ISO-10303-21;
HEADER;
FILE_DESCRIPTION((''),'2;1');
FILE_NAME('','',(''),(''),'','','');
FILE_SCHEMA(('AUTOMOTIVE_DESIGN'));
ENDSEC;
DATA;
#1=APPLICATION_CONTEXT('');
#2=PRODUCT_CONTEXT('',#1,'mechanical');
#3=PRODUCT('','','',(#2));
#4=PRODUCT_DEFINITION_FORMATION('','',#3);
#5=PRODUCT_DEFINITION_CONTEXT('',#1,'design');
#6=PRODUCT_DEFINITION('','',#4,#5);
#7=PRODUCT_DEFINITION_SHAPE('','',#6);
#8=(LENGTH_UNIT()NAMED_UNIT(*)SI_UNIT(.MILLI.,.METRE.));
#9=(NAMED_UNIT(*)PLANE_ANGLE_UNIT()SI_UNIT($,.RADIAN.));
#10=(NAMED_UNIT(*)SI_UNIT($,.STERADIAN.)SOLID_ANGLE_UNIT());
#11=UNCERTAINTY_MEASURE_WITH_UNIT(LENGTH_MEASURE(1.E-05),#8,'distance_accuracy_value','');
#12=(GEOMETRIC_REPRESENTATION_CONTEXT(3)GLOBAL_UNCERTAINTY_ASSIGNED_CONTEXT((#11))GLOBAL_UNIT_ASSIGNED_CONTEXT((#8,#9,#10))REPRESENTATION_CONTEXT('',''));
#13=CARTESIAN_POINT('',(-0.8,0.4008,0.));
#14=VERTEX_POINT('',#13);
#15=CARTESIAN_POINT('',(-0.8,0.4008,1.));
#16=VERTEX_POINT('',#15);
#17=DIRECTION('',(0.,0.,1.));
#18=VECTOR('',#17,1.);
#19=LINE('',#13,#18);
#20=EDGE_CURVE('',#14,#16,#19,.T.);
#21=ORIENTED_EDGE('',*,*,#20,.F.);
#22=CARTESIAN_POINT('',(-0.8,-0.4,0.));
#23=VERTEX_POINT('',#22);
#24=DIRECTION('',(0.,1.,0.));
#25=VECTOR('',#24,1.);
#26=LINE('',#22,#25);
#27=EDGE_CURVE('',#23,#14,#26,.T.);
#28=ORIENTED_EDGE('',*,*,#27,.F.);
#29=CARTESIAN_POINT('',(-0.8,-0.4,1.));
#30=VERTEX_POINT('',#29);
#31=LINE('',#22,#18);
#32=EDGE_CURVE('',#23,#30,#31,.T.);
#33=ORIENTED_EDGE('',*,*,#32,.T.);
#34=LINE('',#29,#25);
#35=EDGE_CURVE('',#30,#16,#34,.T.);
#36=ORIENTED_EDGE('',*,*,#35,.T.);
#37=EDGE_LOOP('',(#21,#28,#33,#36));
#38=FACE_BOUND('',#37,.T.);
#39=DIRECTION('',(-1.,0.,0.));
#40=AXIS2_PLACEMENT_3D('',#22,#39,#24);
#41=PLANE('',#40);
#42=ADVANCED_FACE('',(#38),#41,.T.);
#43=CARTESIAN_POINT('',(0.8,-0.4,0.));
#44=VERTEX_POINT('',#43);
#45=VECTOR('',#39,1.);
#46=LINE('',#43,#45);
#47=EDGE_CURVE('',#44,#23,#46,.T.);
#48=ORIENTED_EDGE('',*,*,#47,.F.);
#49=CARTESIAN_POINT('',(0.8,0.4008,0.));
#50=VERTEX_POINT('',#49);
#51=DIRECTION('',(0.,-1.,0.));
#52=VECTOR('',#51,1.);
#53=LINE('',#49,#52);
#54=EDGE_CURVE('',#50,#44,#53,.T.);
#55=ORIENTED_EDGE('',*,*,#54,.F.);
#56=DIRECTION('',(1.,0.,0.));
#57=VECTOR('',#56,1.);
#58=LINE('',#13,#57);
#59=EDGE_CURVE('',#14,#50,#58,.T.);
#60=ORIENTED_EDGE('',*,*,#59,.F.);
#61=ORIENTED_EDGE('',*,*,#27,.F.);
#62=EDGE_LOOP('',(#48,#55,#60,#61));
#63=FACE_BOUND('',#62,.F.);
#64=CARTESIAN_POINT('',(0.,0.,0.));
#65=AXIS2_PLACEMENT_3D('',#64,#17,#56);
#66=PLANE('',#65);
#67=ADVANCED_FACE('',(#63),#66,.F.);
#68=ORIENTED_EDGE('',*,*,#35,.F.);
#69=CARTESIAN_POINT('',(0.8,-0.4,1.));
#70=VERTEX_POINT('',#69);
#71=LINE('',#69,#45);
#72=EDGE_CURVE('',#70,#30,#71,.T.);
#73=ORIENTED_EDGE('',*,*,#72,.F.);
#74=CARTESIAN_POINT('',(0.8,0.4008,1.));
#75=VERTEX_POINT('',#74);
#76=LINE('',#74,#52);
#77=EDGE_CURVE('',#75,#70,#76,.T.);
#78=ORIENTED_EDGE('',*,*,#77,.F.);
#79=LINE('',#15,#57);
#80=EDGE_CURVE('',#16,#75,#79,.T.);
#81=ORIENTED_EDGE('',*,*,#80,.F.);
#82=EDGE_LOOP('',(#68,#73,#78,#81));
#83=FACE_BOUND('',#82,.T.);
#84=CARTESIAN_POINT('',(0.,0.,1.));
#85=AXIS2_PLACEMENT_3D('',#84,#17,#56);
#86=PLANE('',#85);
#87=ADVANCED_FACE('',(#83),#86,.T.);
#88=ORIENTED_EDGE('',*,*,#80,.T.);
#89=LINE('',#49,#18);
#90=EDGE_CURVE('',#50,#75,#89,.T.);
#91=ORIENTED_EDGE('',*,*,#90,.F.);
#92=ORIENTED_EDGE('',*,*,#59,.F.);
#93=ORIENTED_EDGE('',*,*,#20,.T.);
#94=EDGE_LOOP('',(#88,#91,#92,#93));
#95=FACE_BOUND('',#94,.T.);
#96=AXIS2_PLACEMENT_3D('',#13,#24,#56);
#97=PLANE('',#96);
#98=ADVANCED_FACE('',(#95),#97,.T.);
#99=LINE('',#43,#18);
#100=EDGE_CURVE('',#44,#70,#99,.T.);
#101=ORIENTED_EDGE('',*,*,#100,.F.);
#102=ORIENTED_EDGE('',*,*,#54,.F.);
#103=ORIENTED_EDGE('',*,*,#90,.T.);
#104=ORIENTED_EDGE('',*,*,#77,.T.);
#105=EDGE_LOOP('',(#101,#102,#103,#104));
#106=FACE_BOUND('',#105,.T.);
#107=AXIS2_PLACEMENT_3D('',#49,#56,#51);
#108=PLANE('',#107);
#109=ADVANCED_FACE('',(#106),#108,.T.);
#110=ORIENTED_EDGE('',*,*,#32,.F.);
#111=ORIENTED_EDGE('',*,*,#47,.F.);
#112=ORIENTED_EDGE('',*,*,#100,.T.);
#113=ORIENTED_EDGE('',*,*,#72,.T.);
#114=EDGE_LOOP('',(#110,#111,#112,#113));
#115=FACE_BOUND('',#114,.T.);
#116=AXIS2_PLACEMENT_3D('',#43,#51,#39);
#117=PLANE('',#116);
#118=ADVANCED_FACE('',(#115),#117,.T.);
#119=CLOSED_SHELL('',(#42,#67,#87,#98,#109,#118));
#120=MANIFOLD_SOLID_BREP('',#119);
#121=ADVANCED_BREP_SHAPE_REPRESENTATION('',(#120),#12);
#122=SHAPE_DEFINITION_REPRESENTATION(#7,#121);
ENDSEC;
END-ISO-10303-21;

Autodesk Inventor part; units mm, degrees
ref_plane "YZ Plane" through (0, 0, 0) normal (1, 0, 0) x (0, 1, 0)
ref_plane "XZ Plane" through (0, 0, 0) normal (0, 1, 0) x (-1, 0, 0)
ref_plane "XY Plane" through (0, 0, 0) normal (0, 0, 1) x (1, 0, 0)
sketch "C0603K, 2_2UF_15" plane through (0, 0, 0) normal (0, 0, 1) x (1, 0, 0)
  line L0 (-0.8, 0.4008) -> (0.8, 0.4008)
  line L1 (0.8, 0.4008) -> (0.8, -0.4)
  line L2 (0.8, -0.4) -> (-0.8, -0.4)
  line L3 (-0.8, -0.4) -> (-0.8, 0.4008)
extrude "Extrusion1" add sketch "C0603K, 2_2UF_15" along normal blind 1
properties part number "2_2UF"
